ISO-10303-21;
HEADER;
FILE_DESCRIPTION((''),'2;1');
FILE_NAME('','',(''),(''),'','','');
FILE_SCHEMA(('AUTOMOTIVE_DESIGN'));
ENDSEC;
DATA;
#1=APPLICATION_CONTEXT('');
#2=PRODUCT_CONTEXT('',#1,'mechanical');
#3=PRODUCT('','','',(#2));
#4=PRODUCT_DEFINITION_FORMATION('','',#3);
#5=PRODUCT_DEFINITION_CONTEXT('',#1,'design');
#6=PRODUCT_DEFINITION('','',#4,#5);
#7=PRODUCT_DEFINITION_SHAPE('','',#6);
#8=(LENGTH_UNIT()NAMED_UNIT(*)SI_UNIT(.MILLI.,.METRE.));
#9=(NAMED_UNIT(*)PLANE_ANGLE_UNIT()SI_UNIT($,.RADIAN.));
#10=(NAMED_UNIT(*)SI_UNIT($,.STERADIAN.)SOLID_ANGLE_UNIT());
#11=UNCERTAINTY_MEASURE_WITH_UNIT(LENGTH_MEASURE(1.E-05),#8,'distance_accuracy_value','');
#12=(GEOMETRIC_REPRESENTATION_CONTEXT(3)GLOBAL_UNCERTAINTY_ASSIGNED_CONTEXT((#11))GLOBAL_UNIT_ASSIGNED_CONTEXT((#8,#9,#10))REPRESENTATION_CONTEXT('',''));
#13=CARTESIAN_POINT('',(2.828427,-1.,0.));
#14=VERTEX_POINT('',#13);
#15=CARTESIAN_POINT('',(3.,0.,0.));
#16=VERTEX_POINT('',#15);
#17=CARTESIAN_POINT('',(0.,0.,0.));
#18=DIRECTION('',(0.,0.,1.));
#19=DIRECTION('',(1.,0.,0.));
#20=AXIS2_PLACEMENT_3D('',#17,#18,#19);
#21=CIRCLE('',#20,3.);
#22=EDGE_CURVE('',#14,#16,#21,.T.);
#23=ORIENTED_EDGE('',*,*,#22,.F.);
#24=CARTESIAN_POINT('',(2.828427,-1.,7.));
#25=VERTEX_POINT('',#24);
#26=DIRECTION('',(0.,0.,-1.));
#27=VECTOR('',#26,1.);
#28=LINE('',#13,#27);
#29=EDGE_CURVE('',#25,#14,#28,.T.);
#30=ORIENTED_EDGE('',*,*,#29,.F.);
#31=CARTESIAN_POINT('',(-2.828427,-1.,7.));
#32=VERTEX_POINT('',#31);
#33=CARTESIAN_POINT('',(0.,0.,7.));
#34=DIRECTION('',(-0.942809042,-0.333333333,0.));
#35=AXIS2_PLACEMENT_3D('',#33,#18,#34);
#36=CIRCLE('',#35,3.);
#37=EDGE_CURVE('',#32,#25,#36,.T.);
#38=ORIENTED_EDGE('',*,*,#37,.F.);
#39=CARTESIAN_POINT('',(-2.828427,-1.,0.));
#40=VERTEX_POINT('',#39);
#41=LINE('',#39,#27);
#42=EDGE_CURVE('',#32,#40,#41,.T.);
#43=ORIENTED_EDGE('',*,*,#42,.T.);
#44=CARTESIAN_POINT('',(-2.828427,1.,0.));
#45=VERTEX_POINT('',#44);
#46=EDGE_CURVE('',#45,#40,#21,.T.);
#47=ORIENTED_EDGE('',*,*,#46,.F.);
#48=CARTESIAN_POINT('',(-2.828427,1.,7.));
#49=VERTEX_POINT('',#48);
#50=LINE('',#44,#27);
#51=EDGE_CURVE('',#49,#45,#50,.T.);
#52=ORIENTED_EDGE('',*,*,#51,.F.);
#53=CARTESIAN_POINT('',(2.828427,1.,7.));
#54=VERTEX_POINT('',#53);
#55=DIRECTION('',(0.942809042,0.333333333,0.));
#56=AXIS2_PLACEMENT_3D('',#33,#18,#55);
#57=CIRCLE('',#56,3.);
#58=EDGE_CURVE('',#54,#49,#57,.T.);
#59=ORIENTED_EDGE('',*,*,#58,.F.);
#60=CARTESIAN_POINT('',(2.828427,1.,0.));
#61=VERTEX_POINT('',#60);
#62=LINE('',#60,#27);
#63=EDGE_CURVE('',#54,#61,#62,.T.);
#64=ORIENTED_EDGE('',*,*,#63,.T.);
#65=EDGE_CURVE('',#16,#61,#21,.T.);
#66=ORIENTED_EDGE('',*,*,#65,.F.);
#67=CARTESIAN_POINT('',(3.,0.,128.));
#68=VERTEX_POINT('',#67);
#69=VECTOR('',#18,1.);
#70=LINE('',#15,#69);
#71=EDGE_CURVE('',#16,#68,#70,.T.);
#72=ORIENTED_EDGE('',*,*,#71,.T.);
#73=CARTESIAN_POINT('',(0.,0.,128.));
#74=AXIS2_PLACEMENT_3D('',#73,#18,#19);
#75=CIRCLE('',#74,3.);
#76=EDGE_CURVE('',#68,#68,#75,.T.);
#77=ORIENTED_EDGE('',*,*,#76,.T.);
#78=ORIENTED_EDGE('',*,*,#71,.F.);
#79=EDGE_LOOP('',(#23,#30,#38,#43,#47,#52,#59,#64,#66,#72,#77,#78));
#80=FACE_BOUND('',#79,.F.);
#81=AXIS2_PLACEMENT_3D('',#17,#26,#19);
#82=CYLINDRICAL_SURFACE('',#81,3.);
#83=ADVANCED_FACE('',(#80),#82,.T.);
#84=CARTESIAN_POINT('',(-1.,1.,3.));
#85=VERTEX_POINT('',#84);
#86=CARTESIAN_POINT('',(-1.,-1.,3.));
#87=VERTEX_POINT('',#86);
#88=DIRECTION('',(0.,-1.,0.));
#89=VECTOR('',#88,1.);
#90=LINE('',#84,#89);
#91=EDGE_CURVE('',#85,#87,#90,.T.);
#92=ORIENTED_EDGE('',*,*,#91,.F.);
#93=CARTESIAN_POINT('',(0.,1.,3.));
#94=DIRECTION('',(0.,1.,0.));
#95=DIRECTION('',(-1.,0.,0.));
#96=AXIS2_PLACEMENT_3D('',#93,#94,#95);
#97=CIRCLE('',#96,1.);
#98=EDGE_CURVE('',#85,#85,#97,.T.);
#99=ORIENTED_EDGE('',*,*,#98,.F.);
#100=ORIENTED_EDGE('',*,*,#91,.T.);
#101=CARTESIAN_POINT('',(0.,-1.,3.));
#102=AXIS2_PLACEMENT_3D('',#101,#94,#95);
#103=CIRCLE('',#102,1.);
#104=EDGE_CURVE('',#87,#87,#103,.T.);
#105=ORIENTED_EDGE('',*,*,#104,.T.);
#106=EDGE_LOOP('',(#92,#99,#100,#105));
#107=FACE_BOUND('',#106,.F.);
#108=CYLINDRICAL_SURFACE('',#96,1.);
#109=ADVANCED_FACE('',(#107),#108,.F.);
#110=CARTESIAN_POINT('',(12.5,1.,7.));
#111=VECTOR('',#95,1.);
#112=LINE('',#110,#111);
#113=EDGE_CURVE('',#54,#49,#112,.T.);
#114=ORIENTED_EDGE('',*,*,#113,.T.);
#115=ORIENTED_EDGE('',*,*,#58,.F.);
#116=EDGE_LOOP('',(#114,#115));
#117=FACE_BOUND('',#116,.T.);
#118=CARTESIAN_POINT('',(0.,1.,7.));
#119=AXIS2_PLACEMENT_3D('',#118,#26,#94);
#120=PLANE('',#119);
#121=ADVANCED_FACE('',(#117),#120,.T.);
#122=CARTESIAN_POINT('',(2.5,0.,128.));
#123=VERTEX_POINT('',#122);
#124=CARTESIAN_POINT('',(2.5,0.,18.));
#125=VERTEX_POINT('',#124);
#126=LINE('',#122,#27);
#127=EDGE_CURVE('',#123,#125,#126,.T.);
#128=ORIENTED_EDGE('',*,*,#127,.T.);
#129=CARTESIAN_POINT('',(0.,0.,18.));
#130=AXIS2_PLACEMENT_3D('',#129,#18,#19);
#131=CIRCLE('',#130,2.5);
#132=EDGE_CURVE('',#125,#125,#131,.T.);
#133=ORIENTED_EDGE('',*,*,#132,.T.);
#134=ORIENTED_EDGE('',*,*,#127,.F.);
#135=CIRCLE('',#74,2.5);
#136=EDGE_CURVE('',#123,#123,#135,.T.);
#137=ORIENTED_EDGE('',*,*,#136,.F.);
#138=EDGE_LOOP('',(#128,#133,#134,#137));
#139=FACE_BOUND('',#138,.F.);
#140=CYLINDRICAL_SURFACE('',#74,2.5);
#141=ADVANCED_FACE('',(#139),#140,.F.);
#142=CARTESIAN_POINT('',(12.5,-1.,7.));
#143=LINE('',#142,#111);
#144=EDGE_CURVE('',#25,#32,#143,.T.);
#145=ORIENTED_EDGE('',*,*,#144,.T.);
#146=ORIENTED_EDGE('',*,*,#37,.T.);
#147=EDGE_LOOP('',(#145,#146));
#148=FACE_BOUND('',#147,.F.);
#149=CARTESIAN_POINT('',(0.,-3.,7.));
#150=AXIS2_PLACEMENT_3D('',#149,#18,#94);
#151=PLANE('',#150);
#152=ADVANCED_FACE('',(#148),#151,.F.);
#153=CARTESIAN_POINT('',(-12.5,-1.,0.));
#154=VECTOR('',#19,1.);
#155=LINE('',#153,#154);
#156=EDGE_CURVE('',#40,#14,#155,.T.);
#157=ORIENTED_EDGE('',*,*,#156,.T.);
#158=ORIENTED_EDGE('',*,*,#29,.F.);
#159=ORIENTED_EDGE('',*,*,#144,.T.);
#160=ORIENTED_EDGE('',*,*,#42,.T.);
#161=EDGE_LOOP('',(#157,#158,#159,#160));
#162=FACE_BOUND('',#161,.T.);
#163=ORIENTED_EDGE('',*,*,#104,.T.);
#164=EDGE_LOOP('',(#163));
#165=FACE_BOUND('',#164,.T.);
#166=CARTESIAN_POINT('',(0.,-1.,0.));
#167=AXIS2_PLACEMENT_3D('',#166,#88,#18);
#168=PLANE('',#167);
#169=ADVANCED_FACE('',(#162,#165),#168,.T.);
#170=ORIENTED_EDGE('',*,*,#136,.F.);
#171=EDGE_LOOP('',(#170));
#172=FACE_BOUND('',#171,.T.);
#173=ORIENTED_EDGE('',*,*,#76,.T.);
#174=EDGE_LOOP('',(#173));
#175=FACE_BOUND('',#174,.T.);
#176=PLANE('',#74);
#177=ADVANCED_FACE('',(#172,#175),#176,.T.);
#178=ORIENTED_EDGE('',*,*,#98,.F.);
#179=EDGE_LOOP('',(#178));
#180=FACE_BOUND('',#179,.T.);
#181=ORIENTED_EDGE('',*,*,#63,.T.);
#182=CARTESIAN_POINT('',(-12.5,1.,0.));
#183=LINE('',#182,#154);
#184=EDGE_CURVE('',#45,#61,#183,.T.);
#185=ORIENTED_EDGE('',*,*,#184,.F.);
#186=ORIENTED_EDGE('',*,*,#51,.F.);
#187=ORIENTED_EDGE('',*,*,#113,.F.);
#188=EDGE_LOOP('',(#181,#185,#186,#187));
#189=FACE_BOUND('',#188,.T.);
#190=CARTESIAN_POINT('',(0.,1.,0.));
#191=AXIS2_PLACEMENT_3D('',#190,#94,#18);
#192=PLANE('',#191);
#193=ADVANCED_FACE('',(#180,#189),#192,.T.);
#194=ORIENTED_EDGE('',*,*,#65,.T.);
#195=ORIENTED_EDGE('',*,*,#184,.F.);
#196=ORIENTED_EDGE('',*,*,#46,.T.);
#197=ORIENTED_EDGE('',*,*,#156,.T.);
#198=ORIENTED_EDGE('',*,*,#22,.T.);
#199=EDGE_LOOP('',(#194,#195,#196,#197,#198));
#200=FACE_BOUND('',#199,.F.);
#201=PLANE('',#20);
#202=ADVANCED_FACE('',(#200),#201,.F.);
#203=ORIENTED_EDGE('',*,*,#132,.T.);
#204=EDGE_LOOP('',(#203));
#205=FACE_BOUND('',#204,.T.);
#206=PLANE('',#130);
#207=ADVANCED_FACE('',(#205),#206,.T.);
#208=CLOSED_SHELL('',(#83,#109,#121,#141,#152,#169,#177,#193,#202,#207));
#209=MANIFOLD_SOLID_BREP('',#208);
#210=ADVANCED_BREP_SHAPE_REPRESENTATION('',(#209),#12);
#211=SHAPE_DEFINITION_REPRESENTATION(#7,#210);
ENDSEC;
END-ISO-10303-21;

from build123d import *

# Parameters (mm, degrees)
F0_R     = 3
F1_DEPTH = 128
F2_W     = 2
F2_H     = 7
F3_DEPTH = 12.5
F4_R     = 1
F5_DEPTH = 25
F6_R     = 2.5
F7_DEPTH = 110


with BuildPart() as f1:
    # F0 (on Top) → F1 (new body)
    with BuildSketch(Plane.XY):
        Circle(F0_R)
    extrude(amount=F1_DEPTH)

    # F2 (on Right) → F3 (cut, symmetric)
    with BuildSketch(Plane.YZ):
        with Locations((-2, 3.5)):
            Rectangle(F2_W, F2_H)
        with Locations((2, 3.5)):
            Rectangle(F2_W, F2_H)
    extrude(amount=F3_DEPTH, both=True, mode=Mode.SUBTRACT)

    # F4 (on face) → F5 (cut)
    with BuildSketch(Plane(origin=(0, 1, 0), x_dir=(-1, 0, 0), z_dir=(0, 1, 0))):
        with Locations((0, 3)):
            Circle(F4_R)
    extrude(amount=-F5_DEPTH, mode=Mode.SUBTRACT)

    # F6 (on face) → F7 (cut)
    with BuildSketch(Plane.XY.offset(128)):
        Circle(F6_R)
    extrude(amount=-F7_DEPTH, mode=Mode.SUBTRACT)


solid = f1.part
